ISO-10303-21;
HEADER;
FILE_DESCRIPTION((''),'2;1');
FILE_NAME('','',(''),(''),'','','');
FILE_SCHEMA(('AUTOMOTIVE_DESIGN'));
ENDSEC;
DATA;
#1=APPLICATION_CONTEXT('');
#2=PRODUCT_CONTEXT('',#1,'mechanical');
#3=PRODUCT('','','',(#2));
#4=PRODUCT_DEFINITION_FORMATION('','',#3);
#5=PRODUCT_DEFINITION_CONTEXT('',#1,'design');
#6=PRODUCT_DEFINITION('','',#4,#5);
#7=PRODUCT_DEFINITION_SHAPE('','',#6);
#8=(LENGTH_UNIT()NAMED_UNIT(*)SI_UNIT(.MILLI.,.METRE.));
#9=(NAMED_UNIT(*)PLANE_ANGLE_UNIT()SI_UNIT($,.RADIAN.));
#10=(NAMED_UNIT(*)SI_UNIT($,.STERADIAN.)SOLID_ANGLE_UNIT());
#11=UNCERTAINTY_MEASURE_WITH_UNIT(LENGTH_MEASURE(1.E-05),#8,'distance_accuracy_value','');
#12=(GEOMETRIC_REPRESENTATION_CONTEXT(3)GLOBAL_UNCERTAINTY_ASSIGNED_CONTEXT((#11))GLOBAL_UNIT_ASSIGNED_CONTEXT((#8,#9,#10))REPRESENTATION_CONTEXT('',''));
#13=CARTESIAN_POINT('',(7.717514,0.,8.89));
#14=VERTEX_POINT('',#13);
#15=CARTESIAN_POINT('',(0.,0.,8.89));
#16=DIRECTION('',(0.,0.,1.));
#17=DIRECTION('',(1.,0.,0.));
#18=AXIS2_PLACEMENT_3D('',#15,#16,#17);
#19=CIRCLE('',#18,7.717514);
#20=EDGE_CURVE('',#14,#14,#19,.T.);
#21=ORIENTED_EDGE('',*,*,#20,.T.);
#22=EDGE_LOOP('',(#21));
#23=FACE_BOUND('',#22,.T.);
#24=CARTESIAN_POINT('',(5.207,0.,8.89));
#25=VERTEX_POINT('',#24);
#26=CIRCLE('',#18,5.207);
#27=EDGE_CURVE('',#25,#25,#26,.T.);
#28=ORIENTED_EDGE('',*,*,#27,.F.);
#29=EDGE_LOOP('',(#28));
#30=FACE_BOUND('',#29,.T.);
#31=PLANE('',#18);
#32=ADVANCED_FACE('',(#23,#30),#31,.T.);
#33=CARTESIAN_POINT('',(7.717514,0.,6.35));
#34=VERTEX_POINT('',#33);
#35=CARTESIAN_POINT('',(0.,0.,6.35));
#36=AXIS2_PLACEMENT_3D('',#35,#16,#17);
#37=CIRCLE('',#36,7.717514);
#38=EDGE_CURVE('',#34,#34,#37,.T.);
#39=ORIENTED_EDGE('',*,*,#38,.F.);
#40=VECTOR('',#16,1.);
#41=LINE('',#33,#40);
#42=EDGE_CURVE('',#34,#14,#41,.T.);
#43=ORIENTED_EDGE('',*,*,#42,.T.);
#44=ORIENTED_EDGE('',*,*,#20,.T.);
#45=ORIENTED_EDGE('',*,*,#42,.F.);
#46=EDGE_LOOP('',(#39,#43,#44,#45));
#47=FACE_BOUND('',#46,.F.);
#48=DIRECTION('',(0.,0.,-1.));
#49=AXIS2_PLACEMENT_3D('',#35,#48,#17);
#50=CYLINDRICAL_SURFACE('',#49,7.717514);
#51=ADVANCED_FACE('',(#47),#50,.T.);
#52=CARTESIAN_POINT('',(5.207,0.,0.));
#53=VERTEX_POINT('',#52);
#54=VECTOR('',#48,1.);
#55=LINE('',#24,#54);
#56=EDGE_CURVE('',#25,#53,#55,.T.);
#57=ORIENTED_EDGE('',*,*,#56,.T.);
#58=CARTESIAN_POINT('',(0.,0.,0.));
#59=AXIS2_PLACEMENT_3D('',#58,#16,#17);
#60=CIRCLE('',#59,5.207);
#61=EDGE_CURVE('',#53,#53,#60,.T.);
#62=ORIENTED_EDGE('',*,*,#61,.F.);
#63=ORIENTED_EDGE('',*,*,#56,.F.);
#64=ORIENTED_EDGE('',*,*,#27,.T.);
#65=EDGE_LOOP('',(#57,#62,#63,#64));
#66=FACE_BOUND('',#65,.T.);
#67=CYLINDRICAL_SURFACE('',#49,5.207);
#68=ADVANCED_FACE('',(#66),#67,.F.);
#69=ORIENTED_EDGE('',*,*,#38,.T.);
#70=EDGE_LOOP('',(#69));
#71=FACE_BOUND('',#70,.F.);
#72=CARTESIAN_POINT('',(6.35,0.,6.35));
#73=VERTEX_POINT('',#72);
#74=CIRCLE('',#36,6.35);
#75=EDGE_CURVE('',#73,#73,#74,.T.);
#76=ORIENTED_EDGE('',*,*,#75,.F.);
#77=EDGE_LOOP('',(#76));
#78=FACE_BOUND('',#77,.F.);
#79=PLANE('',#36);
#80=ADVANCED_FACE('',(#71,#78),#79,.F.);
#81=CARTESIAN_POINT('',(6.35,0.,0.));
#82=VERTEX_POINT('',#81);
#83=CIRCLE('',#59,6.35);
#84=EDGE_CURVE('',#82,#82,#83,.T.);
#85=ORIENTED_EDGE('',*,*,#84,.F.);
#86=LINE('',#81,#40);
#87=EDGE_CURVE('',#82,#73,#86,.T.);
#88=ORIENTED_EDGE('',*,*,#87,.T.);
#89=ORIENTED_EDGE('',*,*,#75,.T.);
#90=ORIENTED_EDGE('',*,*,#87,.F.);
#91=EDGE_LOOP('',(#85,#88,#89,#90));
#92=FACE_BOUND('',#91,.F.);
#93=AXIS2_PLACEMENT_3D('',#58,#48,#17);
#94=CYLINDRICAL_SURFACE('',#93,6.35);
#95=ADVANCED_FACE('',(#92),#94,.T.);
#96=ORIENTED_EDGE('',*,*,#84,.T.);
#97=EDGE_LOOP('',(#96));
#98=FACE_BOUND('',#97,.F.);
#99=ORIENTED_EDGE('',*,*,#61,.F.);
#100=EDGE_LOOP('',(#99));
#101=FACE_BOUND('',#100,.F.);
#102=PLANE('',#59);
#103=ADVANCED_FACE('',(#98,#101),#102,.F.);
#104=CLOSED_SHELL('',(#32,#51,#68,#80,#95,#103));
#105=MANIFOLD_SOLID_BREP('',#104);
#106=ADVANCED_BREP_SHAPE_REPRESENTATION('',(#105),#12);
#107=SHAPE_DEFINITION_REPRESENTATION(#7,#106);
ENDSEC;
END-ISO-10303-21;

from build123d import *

# Parameters (mm, degrees)
F0_R     = 6.35
F0_R_2   = 5.207
F1_DEPTH = 6.35
F2_R     = 7.7175141939
F2_R_2   = 6.35
F3_DEPTH = 2.54
F4_DEPTH = 2.54


with BuildPart() as f1:
    # F0 (on Top) → F1 (new body)
    with BuildSketch(Plane.XY):
        Circle(F0_R)
        Circle(F0_R_2, mode=Mode.SUBTRACT)
    extrude(amount=F1_DEPTH)

    # F2 (on face) → F3 (join)
    with BuildSketch(Plane.XY.offset(6.35)):
        Circle(F2_R)
        Circle(F2_R_2, mode=Mode.SUBTRACT)
    extrude(amount=F3_DEPTH)

    # F4 (add): a face of the model
    f4_faces = [f1.faces().sort_by_distance(p)[0] for p in [
        (-6.1703948776, 0, 6.35),
    ]]
    extrude(f4_faces, amount=F4_DEPTH)


solid = f1.part
